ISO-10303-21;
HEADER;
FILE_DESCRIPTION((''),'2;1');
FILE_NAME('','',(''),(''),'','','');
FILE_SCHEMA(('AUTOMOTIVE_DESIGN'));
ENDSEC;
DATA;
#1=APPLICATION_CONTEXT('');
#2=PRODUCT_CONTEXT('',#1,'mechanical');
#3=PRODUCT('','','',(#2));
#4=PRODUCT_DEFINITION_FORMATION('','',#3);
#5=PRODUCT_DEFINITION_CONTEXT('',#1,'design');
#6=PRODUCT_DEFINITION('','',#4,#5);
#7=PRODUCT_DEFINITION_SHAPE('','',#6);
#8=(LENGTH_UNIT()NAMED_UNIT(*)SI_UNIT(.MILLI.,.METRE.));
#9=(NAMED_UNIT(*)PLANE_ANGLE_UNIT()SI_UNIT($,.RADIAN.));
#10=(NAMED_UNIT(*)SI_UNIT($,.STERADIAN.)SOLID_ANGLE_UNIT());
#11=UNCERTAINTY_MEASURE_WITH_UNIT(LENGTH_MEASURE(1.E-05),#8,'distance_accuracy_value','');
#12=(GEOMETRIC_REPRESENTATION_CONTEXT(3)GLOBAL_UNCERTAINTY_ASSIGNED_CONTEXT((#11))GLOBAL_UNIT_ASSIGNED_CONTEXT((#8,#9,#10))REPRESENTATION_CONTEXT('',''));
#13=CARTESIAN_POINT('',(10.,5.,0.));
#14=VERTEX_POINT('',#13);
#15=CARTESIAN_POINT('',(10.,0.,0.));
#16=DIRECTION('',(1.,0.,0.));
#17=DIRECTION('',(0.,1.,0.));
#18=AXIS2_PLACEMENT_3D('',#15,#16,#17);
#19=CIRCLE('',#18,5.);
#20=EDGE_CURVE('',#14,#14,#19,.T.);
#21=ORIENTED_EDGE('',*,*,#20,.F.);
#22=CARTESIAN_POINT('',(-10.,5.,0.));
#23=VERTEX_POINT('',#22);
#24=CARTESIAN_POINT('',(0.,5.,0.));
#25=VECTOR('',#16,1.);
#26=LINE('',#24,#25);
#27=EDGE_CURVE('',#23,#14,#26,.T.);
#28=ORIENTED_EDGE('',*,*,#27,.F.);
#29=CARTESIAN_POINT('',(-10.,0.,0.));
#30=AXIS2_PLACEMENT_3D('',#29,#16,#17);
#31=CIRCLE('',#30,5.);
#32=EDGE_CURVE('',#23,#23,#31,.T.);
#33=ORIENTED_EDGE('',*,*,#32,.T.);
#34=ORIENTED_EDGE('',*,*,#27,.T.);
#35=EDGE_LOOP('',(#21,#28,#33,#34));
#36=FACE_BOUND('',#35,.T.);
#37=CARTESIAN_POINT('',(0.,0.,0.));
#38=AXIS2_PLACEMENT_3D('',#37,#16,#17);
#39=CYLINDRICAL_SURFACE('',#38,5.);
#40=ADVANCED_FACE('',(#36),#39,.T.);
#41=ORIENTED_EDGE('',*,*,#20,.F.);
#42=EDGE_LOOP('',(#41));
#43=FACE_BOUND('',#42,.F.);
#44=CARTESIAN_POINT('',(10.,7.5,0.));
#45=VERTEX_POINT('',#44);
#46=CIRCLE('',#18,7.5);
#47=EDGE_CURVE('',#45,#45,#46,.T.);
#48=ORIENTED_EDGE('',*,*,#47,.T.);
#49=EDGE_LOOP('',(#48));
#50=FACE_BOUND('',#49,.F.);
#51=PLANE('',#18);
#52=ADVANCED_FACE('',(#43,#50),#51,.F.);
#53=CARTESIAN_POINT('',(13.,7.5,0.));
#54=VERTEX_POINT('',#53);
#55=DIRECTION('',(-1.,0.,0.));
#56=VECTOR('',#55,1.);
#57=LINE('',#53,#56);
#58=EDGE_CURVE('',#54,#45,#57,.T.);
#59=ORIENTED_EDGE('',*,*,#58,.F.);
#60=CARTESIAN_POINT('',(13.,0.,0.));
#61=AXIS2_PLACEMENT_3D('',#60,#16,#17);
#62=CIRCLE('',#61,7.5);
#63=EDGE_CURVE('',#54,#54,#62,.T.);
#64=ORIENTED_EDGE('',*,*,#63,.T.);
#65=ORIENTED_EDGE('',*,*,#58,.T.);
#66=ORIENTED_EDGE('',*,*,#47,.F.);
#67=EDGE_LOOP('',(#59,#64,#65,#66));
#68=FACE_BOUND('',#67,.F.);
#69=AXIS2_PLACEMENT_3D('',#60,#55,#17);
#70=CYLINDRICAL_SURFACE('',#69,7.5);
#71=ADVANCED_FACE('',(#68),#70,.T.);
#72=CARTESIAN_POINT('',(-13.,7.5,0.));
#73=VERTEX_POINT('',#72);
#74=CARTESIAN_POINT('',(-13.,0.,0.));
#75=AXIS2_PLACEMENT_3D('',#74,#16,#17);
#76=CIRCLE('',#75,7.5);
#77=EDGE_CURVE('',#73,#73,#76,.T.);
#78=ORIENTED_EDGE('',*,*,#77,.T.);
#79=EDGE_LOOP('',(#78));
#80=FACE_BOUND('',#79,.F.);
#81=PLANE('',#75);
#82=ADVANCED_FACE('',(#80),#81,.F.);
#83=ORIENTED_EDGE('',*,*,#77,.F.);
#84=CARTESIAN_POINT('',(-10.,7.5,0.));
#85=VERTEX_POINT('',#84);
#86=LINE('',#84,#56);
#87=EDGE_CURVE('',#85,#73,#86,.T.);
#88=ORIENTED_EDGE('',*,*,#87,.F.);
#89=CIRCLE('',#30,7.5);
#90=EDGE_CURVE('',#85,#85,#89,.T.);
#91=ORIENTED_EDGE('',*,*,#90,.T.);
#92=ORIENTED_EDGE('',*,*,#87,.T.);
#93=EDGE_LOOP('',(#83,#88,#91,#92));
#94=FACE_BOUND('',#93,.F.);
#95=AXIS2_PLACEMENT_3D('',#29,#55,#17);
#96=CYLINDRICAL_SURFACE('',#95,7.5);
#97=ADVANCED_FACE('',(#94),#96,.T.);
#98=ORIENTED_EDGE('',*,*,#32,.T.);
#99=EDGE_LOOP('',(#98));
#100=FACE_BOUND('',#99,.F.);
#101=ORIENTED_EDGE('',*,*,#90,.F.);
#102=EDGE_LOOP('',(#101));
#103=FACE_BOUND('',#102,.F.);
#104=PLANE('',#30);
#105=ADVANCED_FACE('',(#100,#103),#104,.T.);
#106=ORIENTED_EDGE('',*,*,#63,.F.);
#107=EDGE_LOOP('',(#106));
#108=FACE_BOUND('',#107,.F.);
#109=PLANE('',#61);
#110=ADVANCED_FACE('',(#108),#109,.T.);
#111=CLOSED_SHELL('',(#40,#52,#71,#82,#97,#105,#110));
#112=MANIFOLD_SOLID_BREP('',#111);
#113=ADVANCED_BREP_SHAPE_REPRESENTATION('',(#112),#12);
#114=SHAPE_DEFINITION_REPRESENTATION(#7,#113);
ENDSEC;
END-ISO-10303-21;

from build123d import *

# Parameters (mm, degrees)
F0_W = 20
F0_H = 5


with BuildPart() as f1:
    # F0 (on Top) → F1 (revolve)
    with BuildSketch(Plane.XY):
        Polygon((-10, 0), (-10, 5), (-10, 7.5), (-13, 7.5), (-13, 0), align=None)
        with Locations((0, 2.5)):
            Rectangle(F0_W, F0_H)
        Polygon((10, 7.5), (10, 5), (10, 0), (13, 0), (13, 7.5), align=None)
    revolve(axis=Axis((0, 0, 0), (1, 0, 0)))


solid = f1.part
